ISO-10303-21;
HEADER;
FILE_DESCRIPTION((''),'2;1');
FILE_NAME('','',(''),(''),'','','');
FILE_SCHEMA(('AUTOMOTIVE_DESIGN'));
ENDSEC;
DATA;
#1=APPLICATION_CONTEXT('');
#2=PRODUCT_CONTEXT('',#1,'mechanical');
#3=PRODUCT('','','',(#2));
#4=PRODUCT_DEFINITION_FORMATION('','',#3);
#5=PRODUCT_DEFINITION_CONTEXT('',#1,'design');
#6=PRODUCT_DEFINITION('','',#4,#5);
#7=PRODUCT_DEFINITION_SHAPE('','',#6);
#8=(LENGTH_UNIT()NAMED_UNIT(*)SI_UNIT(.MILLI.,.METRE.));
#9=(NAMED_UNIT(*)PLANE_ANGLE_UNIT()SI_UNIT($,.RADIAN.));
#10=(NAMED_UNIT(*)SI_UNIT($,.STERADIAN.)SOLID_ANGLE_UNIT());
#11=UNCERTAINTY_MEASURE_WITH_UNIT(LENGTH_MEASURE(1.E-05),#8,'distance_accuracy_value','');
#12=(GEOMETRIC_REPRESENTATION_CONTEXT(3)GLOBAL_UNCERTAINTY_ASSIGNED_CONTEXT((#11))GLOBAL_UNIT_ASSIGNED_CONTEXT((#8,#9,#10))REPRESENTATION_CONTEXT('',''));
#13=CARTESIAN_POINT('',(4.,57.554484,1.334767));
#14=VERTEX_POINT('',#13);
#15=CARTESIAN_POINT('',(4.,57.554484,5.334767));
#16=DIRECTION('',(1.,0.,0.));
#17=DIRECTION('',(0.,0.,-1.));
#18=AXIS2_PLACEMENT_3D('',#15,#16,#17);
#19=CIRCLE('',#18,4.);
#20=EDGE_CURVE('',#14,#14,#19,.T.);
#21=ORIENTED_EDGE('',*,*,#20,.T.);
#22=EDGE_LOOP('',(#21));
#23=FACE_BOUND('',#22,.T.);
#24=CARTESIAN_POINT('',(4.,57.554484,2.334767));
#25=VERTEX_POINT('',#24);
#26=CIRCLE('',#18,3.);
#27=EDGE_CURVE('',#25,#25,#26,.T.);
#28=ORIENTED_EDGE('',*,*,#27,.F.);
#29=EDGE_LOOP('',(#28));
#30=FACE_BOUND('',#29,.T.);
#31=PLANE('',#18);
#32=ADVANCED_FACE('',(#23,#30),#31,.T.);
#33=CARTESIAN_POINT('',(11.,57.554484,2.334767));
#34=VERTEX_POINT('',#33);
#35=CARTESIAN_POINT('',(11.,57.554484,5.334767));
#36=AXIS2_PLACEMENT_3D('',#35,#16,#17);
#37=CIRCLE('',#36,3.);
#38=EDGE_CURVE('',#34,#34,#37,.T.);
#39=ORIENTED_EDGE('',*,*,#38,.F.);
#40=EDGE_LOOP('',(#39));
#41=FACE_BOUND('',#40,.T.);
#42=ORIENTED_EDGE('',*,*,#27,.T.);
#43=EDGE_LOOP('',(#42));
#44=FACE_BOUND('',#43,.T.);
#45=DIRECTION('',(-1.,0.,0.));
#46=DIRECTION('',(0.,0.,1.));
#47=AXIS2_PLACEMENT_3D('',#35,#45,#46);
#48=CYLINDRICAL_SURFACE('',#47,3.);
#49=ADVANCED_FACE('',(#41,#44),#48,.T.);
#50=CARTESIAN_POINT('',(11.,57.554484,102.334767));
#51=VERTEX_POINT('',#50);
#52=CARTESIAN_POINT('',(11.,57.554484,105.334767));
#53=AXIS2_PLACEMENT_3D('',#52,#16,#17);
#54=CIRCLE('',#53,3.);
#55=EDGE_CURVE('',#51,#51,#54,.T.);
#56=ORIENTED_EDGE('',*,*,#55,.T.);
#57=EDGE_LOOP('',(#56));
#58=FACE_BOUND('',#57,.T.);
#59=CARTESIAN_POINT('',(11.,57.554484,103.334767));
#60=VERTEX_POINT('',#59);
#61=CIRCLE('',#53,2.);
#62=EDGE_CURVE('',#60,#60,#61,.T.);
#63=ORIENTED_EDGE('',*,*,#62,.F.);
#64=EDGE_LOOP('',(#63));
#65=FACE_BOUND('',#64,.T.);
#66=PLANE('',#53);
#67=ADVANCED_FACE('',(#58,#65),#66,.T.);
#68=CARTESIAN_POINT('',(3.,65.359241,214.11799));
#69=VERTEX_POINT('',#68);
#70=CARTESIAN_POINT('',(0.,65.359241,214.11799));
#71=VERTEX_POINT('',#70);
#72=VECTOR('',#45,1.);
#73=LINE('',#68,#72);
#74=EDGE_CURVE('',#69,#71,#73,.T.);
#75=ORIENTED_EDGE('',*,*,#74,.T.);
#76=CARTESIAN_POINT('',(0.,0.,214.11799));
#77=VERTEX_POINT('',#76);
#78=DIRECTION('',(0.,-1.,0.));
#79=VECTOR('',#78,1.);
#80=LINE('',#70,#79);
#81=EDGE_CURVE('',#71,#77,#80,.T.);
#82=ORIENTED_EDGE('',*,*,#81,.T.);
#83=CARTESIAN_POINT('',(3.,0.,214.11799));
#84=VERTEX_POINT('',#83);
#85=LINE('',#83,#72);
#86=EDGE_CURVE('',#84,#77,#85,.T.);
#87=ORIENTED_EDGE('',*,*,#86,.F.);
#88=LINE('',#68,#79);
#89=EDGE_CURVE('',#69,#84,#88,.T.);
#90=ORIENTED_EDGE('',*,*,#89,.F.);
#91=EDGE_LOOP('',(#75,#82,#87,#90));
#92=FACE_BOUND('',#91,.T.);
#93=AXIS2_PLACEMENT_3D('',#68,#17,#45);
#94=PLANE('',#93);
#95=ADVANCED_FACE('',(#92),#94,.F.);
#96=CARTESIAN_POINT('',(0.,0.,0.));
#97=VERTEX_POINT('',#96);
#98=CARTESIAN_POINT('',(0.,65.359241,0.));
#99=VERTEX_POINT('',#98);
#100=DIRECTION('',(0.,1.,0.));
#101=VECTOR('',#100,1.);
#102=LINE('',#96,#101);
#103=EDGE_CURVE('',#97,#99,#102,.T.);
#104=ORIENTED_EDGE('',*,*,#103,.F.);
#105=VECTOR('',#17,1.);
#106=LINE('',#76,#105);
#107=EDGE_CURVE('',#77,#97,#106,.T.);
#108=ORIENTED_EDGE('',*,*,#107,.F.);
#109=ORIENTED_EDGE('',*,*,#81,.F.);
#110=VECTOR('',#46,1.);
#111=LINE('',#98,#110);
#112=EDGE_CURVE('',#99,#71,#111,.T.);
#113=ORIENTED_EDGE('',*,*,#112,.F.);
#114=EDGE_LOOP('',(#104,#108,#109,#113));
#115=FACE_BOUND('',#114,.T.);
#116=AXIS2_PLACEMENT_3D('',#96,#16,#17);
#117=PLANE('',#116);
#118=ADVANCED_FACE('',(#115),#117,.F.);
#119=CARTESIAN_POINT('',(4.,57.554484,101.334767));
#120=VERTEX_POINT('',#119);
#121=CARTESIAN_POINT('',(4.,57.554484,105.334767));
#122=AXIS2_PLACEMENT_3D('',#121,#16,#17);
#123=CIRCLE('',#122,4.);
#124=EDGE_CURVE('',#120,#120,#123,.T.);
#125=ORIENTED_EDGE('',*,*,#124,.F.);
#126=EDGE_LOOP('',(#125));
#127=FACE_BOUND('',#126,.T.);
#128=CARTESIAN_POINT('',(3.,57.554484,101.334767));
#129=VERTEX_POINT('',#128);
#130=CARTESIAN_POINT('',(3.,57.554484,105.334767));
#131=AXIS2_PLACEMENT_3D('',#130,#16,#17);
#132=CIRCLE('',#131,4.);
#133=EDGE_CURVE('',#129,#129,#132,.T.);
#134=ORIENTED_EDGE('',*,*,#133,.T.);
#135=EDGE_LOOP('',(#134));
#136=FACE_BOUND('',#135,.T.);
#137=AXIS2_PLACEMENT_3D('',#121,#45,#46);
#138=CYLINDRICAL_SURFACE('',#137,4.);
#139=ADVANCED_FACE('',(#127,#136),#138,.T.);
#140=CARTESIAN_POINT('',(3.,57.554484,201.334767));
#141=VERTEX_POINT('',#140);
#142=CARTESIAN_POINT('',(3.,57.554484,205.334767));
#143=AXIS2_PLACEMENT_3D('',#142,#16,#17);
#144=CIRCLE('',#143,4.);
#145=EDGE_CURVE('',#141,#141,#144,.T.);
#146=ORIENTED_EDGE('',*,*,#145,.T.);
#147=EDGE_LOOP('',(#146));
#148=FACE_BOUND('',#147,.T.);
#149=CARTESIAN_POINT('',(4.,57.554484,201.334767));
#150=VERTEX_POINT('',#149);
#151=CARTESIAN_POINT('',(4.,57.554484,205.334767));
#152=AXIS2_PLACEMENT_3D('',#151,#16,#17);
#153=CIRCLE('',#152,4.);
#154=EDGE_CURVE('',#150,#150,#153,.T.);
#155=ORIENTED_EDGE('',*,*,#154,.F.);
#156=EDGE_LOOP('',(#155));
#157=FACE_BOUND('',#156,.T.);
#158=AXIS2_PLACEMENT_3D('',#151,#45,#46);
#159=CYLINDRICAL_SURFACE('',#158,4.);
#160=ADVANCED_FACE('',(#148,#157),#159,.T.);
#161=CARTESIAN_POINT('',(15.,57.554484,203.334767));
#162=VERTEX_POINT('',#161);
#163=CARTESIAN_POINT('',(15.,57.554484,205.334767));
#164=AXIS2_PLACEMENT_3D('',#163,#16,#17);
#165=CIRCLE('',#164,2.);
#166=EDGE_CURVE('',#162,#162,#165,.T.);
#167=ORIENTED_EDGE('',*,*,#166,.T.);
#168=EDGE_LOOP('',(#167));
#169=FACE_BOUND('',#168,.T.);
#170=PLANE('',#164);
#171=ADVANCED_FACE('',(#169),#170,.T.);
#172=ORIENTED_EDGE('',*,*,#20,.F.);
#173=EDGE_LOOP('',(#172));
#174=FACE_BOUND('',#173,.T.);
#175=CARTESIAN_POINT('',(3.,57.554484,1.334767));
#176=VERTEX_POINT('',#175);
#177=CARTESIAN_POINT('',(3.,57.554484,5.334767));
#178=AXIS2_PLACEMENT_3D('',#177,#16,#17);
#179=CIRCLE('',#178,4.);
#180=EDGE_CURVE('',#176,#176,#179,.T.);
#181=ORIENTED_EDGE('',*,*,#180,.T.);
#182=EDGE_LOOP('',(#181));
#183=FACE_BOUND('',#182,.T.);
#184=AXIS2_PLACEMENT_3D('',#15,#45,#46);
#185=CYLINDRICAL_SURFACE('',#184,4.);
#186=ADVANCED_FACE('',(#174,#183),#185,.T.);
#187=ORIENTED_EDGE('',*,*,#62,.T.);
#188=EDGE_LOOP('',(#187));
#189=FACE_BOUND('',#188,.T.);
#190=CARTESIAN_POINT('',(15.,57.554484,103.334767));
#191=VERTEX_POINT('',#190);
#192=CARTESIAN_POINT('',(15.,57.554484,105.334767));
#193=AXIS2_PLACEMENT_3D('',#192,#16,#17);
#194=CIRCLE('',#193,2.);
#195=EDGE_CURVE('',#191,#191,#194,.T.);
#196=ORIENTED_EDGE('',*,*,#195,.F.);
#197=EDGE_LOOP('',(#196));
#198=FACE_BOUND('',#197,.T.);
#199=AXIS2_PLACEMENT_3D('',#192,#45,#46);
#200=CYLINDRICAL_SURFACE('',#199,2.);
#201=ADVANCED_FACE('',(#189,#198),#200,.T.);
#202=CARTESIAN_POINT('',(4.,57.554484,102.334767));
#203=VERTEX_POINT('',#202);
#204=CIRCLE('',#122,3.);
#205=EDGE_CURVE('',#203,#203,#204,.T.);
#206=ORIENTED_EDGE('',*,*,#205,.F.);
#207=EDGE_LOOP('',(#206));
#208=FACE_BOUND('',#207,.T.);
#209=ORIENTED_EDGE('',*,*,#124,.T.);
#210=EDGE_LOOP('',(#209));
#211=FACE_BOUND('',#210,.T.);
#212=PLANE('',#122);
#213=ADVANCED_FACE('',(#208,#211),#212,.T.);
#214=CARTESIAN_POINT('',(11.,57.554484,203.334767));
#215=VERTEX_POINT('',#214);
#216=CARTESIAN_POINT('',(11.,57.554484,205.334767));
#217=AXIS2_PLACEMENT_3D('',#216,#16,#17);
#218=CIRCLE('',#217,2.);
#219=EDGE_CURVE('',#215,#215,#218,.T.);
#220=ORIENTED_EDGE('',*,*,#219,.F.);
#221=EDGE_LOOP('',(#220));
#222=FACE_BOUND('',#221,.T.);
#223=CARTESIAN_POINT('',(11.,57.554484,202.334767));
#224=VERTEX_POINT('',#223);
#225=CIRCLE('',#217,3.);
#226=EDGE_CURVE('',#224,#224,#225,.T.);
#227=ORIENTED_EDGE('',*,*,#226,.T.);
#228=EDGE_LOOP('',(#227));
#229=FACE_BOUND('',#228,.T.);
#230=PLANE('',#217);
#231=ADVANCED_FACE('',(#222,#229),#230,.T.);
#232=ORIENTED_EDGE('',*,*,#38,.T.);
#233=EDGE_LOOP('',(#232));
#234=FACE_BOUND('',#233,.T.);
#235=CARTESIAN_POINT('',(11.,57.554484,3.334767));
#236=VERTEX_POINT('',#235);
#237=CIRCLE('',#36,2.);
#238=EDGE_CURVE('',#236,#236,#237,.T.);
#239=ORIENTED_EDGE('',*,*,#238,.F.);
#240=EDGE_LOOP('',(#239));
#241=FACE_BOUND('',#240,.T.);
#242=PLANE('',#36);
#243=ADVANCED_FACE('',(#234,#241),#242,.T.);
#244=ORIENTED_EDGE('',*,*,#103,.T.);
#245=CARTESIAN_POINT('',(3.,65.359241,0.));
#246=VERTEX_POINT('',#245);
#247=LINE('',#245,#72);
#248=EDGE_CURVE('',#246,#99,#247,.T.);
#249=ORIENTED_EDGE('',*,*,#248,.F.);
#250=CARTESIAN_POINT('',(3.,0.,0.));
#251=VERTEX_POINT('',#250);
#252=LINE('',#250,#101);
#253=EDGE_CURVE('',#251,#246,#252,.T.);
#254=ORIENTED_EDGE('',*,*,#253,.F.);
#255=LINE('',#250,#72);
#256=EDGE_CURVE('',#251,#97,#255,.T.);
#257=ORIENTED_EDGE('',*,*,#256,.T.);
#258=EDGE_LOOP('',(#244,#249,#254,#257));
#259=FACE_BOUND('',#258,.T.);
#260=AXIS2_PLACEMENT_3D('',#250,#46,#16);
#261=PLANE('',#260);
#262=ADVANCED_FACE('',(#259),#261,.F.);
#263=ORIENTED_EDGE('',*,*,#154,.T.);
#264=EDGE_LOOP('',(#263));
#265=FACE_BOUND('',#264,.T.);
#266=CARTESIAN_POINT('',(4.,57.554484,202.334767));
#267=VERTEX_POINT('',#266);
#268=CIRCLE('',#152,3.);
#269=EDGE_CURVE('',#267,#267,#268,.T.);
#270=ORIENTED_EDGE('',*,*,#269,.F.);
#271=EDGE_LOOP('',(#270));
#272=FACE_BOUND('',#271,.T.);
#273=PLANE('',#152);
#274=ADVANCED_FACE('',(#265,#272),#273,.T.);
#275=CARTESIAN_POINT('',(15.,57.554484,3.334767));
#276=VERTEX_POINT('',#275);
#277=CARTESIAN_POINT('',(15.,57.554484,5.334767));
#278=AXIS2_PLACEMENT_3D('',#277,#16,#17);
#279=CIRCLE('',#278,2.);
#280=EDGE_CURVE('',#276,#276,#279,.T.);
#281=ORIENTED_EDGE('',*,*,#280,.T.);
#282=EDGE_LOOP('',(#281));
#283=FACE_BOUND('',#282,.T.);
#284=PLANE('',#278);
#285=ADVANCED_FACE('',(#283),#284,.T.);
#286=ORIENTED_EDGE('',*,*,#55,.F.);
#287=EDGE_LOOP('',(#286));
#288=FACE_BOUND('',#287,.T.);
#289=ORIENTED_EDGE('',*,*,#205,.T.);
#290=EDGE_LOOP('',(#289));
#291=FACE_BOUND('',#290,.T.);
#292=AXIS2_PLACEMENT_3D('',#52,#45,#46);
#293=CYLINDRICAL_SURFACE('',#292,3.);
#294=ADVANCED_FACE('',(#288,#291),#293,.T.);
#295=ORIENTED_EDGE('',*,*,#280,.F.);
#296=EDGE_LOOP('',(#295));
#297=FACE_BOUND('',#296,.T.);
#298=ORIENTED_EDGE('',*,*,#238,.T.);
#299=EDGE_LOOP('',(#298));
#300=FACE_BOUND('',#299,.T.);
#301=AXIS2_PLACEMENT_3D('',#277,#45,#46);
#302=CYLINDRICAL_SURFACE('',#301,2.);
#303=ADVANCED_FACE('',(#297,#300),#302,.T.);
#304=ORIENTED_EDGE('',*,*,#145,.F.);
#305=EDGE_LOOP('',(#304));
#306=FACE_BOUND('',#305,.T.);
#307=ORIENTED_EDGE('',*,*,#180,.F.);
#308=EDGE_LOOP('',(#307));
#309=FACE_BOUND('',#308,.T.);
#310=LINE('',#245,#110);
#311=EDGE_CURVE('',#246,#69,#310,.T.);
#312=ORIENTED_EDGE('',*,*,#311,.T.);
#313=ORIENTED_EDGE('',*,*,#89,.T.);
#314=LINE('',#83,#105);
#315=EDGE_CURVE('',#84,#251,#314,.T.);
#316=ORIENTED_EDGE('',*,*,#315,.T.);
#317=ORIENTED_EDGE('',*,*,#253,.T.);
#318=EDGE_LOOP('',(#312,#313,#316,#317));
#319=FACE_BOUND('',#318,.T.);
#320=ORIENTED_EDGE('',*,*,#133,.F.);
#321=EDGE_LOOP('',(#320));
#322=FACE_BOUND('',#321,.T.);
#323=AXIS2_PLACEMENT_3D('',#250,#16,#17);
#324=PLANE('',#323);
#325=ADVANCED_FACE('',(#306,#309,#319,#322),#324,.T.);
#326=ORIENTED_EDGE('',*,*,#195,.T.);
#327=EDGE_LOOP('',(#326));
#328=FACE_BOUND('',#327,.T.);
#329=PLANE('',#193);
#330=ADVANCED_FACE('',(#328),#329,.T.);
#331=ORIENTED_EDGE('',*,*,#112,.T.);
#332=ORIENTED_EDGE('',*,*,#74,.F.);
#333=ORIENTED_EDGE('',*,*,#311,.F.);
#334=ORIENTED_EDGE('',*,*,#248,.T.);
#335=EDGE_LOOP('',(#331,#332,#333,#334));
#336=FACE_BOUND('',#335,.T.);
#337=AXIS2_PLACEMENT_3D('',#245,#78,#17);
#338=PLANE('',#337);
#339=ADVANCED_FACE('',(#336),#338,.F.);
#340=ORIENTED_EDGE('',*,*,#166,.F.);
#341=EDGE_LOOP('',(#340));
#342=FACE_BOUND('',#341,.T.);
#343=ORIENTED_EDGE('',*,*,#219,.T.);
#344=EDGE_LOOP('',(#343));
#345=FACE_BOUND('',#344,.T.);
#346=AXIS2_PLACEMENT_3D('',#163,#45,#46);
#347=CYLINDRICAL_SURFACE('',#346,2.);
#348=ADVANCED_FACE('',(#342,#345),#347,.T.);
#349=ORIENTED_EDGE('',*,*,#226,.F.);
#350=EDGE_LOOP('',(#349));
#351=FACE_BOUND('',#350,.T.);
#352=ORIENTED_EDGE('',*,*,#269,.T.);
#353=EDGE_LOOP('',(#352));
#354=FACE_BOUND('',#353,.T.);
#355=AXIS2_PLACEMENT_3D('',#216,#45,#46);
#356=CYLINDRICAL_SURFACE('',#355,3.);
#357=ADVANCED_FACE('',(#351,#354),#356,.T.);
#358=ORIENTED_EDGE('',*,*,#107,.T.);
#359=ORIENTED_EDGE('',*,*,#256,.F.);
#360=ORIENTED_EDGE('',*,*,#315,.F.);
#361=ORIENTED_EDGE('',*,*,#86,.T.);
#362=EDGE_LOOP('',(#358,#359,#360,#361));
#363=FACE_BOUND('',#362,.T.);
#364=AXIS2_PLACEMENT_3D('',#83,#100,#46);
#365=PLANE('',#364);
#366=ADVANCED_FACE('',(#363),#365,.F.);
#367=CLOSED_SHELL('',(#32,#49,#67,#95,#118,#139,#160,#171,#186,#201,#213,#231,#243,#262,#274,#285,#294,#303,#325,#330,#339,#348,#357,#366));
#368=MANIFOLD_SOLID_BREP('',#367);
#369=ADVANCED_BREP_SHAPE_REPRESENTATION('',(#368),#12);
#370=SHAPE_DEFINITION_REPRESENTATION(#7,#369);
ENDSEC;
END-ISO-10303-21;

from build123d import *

# Parameters (mm, degrees)
SKETCH_1_W       = 214.117990109
SKETCH_1_H       = 65.359241046
EXTRUDE_1_DEPTH  = 3
SKETCH_2_R       = 2
EXTRUDE_2_DEPTH  = 12
SKETCH_3_R       = 2
EXTRUDE_3_DEPTH  = 12
SKETCH_4_R       = 2
EXTRUDE_4_DEPTH  = 12
SKETCH_5_R       = 3
EXTRUDE_5_DEPTH  = 8
SKETCH_6_R       = 4
EXTRUDE_6_DEPTH  = 1
SKETCH_7_R       = 3
EXTRUDE_7_DEPTH  = 8
SKETCH_8_R       = 3
EXTRUDE_8_DEPTH  = 8
SKETCH_9_R       = 4
EXTRUDE_9_DEPTH  = 1
SKETCH_10_R      = 4
EXTRUDE_10_DEPTH = 1


with BuildPart() as part:
    # 草图1 → 凸台-拉伸1 (new body)
    with BuildSketch(Plane(origin=(0, 0, 0), x_dir=(0, 0, -1), z_dir=(1, 0, 0))):
        with Locations((-107.058995055, 32.679620523)):
            Rectangle(SKETCH_1_W, SKETCH_1_H)
    extrude(amount=EXTRUDE_1_DEPTH)

    # 草图2 → 凸台-拉伸2 (add)
    with BuildSketch(Plane(origin=(3, 0, 0), x_dir=(0, 0, -1), z_dir=(1, 0, 0))):
        with Locations((-5.33476711, 57.554484424)):
            Circle(SKETCH_2_R)
    extrude(amount=EXTRUDE_2_DEPTH)

    # 草图3 → 凸台-拉伸3 (add)
    with BuildSketch(Plane(origin=(3, 0, 0), x_dir=(0, 0, -1), z_dir=(1, 0, 0))):
        with Locations((-105.33476711, 57.554484424)):
            Circle(SKETCH_3_R)
    extrude(amount=EXTRUDE_3_DEPTH)

    # 草图4 → 凸台-拉伸4 (add)
    with BuildSketch(Plane(origin=(3, 0, 0), x_dir=(0, 0, -1), z_dir=(1, 0, 0))):
        with Locations((-205.33476711, 57.554484424)):
            Circle(SKETCH_4_R)
    extrude(amount=EXTRUDE_4_DEPTH)

    # 草图5 → 凸台-拉伸5 (add)
    with BuildSketch(Plane(origin=(3, 0, 0), x_dir=(0, 0, -1), z_dir=(1, 0, 0))):
        with Locations((-5.33476711, 57.554484424)):
            Circle(SKETCH_5_R)
    extrude(amount=EXTRUDE_5_DEPTH)

    # 草图6 → 凸台-拉伸6 (add)
    with BuildSketch(Plane(origin=(3, 0, 0), x_dir=(0, 0, -1), z_dir=(1, 0, 0))):
        with Locations((-5.33476711, 57.554484424)):
            Circle(SKETCH_6_R)
    extrude(amount=EXTRUDE_6_DEPTH)

    # 草图7 → 凸台-拉伸7 (add)
    with BuildSketch(Plane(origin=(3, 0, 0), x_dir=(0, 0, -1), z_dir=(1, 0, 0))):
        with Locations((-105.33476711, 57.554484424)):
            Circle(SKETCH_7_R)
    extrude(amount=EXTRUDE_7_DEPTH)

    # 草图8 → 凸台-拉伸8 (add)
    with BuildSketch(Plane(origin=(3, 0, 0), x_dir=(0, 0, -1), z_dir=(1, 0, 0))):
        with Locations((-205.33476711, 57.554484424)):
            Circle(SKETCH_8_R)
    extrude(amount=EXTRUDE_8_DEPTH)

    # 草图9 → 凸台-拉伸9 (add)
    with BuildSketch(Plane(origin=(3, 0, 0), x_dir=(0, 0, -1), z_dir=(1, 0, 0))):
        with Locations((-105.33476711, 57.554484424)):
            Circle(SKETCH_9_R)
    extrude(amount=EXTRUDE_9_DEPTH)

    # 草图10 → 凸台-拉伸10 (add)
    with BuildSketch(Plane(origin=(3, 0, 0), x_dir=(0, 0, -1), z_dir=(1, 0, 0))):
        with Locations((-205.33476711, 57.554484424)):
            Circle(SKETCH_10_R)
    extrude(amount=EXTRUDE_10_DEPTH)


solid = part.part
